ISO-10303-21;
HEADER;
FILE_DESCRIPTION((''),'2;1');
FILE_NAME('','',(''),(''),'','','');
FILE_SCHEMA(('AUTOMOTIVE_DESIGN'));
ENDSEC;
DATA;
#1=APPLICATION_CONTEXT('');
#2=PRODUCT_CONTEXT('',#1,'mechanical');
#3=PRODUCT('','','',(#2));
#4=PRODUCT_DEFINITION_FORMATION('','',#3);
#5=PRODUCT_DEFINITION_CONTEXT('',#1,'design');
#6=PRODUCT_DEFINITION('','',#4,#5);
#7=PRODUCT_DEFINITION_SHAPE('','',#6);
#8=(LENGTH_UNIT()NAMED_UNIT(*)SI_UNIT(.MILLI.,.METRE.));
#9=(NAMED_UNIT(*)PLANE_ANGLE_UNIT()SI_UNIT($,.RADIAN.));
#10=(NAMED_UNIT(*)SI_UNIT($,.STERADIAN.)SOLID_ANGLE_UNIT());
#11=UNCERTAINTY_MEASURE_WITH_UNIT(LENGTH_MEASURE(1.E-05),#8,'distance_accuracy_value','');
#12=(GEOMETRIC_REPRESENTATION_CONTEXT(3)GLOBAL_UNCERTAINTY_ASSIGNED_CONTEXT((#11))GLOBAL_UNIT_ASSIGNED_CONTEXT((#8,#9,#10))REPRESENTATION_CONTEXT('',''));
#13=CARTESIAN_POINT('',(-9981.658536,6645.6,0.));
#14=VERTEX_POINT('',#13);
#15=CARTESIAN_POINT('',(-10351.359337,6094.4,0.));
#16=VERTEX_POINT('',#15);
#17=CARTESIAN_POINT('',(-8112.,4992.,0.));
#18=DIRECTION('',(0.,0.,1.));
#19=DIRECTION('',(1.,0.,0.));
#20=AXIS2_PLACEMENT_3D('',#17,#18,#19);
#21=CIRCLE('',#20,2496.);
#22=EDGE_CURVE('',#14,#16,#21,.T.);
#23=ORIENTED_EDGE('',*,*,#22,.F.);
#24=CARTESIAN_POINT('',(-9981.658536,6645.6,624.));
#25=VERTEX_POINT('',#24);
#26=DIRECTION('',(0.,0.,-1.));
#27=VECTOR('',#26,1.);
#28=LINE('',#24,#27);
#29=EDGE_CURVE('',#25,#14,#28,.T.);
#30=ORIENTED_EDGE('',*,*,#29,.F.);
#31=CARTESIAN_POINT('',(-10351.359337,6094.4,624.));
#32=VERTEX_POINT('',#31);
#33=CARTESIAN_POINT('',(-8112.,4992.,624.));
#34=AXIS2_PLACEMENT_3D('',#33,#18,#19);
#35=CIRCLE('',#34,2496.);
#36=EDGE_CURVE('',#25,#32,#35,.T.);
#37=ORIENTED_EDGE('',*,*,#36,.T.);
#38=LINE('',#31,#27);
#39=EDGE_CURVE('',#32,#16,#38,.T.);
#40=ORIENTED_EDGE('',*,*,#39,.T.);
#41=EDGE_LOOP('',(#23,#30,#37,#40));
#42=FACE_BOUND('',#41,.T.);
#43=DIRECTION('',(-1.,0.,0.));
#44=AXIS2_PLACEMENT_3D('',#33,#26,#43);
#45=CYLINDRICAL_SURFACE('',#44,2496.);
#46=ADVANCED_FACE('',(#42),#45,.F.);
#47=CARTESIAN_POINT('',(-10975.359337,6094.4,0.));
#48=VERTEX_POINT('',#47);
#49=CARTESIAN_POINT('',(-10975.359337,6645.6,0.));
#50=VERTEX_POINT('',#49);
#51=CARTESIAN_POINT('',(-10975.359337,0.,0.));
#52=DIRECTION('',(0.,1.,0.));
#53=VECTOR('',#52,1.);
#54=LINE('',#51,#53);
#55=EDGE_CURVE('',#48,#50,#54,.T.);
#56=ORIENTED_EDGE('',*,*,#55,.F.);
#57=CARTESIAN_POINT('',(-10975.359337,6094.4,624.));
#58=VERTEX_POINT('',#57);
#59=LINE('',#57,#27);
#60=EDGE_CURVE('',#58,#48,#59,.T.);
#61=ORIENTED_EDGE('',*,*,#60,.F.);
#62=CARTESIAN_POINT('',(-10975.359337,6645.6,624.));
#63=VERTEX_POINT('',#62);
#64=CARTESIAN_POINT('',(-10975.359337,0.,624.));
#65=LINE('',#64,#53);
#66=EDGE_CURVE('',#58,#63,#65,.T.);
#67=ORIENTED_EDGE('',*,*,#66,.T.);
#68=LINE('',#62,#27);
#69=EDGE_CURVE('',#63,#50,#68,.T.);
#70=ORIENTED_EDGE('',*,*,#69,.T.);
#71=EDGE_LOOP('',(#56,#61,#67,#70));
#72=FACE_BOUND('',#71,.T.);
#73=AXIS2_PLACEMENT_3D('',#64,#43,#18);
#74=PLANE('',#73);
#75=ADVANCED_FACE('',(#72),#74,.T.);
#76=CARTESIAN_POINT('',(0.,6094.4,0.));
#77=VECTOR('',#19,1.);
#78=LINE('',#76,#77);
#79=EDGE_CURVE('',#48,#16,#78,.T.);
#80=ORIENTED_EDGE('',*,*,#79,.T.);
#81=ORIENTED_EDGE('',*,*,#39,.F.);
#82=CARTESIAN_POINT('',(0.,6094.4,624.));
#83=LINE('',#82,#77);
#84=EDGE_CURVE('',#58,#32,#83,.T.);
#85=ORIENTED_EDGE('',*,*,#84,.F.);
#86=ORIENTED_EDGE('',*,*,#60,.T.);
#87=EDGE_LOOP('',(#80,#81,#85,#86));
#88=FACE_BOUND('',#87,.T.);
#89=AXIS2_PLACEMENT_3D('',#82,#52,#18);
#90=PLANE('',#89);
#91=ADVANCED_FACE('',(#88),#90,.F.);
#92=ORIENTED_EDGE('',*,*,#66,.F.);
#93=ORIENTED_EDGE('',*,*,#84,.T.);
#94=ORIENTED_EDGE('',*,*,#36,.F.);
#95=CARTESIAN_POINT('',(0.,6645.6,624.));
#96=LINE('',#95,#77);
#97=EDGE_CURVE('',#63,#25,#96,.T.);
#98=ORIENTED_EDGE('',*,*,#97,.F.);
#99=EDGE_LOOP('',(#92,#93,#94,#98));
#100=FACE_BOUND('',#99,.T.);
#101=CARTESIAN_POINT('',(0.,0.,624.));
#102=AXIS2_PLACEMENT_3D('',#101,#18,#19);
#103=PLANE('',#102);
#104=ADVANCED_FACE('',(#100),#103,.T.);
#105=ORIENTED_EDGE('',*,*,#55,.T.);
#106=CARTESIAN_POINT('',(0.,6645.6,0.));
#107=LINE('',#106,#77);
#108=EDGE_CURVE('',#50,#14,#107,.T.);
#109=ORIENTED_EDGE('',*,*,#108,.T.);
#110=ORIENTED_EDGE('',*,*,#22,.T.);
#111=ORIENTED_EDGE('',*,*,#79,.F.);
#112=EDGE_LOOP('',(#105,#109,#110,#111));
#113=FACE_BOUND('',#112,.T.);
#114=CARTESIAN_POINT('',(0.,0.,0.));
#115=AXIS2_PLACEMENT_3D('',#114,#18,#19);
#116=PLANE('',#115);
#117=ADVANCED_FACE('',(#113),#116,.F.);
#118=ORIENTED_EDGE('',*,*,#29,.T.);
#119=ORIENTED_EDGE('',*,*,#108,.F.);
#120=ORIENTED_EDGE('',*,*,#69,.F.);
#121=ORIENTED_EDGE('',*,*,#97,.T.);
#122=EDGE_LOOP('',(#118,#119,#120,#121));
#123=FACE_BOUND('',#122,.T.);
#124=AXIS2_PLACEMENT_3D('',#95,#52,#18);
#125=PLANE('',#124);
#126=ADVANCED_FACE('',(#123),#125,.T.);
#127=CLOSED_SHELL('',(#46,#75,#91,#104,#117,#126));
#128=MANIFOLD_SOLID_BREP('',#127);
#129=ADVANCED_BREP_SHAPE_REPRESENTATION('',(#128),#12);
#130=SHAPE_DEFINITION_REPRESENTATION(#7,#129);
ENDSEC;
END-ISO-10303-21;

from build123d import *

# Parameters (mm, degrees)
EXTRUDE_1_DEPTH = 480
SCALE_1_SCALE   = 1.3


with BuildPart() as part:
    # 草图1 → 凸台-拉伸1 (new body)
    with BuildSketch(Plane.XY):
        with BuildLine():
            Line((-8442.584105349, 4688), (-7962.584105349, 4688))
            ThreePointArc((-7962.584105349, 4688), (-7883.943917736, 4831.891322342), (-7793.3126292, 4968.547684402))
            ThreePointArc((-7793.3126292, 4968.547684402), (-7737.474510483, 5041.653065761), (-7678.198873592, 5112))
            Line((-7678.198873592, 5112), (-8158.198873592, 5112))
            Line((-8158.198873592, 5112), (-8442.584105349, 5112))
            Line((-8442.584105349, 5112), (-8442.584105349, 4688))
        make_face()
    extrude(amount=EXTRUDE_1_DEPTH)


with BuildPart() as part_1:
    # 缩放比例1: scaled about (0, 0, 0)
    add(part.part.scale(SCALE_1_SCALE))


solid = part_1.part
